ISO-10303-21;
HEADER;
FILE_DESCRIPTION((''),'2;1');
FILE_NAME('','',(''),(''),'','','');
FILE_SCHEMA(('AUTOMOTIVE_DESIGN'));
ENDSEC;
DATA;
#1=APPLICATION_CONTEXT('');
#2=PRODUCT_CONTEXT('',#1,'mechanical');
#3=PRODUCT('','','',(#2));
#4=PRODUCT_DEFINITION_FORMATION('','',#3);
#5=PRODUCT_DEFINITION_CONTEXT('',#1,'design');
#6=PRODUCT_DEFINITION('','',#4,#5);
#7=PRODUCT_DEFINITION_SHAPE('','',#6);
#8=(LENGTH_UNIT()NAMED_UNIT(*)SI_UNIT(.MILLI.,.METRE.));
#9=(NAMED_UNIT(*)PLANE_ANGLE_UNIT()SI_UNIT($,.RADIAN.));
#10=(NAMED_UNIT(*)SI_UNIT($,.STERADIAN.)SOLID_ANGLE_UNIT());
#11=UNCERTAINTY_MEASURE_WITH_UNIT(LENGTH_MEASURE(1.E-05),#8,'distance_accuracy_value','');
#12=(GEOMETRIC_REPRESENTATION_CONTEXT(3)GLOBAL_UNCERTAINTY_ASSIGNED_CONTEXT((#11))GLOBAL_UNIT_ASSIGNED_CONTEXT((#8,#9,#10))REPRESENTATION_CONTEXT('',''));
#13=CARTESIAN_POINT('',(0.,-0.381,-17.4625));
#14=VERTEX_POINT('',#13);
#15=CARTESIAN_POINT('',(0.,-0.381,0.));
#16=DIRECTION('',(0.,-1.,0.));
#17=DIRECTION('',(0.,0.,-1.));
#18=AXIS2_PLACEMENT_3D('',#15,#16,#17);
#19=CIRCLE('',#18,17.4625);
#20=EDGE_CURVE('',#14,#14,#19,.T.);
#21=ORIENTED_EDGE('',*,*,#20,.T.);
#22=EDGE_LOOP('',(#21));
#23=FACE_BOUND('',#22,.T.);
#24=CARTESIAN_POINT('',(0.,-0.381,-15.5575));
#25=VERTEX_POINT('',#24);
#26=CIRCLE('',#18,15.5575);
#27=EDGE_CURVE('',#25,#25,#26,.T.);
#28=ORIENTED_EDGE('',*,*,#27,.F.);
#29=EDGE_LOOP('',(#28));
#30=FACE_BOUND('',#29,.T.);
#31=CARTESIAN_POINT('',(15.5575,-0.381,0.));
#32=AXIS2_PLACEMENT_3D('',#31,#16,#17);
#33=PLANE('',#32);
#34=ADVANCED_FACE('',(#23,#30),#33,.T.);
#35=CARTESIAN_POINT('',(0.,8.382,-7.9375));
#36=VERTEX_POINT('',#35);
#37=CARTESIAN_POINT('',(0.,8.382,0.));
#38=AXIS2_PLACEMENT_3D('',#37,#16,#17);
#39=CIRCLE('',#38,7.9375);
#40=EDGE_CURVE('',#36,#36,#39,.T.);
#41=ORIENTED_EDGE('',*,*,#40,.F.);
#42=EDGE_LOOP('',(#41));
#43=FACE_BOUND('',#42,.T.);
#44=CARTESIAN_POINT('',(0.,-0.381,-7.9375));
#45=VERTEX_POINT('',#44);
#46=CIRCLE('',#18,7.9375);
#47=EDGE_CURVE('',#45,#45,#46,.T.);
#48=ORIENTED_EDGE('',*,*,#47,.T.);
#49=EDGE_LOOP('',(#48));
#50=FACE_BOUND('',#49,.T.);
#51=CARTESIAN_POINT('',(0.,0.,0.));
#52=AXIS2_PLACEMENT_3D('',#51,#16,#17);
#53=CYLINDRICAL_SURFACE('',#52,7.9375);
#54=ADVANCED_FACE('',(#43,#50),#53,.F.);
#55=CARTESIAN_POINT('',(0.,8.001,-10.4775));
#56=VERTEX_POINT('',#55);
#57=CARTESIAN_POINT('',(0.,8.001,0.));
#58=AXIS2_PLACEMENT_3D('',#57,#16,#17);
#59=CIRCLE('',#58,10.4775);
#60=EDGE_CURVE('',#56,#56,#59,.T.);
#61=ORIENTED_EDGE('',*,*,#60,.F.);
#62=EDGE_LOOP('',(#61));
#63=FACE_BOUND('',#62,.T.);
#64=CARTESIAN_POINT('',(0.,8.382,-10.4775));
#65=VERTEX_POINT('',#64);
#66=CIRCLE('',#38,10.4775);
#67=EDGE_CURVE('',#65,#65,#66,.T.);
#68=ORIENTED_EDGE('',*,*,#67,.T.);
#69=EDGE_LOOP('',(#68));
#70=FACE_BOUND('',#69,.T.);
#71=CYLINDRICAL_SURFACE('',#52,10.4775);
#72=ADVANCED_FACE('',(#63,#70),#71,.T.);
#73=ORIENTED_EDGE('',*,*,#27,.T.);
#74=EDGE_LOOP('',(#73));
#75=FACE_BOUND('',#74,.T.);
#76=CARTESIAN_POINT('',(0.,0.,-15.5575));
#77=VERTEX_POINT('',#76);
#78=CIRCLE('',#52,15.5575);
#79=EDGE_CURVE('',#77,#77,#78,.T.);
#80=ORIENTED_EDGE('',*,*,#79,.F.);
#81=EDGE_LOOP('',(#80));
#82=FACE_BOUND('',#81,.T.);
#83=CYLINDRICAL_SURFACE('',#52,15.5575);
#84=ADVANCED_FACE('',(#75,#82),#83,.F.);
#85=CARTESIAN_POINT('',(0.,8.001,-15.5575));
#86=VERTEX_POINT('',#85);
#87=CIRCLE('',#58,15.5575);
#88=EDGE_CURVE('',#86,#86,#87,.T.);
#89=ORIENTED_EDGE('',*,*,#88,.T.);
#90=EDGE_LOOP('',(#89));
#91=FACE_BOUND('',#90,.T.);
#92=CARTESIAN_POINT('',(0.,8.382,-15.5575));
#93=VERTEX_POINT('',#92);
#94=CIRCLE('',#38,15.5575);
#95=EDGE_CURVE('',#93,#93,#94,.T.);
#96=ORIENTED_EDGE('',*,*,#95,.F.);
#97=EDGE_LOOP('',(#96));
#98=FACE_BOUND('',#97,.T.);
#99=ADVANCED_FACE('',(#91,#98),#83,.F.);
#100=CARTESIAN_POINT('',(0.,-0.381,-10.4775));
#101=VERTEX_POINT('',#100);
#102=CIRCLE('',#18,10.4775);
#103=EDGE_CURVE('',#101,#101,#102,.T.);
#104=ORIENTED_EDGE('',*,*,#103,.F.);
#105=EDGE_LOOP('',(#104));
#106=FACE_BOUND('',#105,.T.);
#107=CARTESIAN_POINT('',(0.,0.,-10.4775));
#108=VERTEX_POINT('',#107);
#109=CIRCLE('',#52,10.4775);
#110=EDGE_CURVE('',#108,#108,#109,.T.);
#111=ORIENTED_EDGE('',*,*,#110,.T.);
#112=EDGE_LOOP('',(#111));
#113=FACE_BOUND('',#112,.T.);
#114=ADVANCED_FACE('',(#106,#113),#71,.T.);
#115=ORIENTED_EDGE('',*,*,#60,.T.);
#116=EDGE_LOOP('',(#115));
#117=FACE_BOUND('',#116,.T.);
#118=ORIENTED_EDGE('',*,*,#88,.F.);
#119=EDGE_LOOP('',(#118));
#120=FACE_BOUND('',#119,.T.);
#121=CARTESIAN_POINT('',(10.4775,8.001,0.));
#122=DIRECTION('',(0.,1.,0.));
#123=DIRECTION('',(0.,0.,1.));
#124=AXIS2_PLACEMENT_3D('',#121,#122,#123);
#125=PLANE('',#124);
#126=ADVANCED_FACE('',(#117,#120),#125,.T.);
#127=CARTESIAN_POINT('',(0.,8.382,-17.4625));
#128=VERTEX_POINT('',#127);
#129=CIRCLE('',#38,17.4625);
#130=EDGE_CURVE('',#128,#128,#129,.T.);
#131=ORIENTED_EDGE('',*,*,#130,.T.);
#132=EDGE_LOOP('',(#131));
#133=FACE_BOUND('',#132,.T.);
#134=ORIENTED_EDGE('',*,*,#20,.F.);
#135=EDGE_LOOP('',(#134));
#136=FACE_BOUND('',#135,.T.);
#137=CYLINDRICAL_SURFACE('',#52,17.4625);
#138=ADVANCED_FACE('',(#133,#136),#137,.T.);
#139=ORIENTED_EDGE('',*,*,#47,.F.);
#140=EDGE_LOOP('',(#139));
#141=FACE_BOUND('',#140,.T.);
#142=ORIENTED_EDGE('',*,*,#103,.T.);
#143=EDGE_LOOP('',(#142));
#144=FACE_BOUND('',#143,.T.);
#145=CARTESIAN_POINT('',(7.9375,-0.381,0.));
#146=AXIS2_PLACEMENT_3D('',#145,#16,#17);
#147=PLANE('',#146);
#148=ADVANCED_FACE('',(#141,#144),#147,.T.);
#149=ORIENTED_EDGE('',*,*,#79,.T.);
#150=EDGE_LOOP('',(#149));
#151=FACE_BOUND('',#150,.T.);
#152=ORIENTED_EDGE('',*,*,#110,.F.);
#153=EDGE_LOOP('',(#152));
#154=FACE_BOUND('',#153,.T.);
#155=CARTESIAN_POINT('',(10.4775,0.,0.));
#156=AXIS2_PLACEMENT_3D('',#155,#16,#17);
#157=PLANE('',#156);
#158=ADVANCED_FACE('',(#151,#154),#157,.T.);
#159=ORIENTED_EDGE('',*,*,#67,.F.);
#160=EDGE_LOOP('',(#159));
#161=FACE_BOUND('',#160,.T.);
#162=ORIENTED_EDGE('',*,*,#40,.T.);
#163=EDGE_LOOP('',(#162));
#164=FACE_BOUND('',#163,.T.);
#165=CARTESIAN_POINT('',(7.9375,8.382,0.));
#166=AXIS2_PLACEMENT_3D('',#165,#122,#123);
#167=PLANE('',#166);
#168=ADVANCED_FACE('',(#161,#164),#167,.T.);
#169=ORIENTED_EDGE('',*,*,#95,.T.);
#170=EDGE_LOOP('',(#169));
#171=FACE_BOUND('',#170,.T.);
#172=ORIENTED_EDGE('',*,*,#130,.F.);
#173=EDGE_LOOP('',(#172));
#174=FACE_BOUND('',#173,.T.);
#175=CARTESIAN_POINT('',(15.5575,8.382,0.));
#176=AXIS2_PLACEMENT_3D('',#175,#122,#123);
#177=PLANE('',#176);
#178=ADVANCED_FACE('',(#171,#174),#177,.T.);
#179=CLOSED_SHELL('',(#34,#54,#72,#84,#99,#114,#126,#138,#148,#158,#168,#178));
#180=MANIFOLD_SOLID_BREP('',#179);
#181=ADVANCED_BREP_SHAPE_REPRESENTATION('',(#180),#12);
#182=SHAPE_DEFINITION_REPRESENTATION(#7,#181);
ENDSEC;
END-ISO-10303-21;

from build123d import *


with BuildPart() as part:
    # Sketch1 → Revolve1 (revolve)
    with BuildSketch(Plane.XY, mode=Mode.PRIVATE) as revolve1_sk:
        Polygon((7.9375, 8.382), (7.9375, -0.381), (10.4775, -0.381), (10.4775, 0), (15.5575, 0), (15.5575, -0.381), (17.4625, -0.381), (17.4625, 8.382), (15.5575, 8.382), (15.5575, 8.001), (10.4775, 8.001), (10.4775, 8.382), align=None)
    revolve(revolve1_sk.sketch.rotate(Axis((0, 0, 0), (0, 1, 0)), 90), axis=Axis((0, 0, 0), (0, 1, 0)))


solid = part.part
